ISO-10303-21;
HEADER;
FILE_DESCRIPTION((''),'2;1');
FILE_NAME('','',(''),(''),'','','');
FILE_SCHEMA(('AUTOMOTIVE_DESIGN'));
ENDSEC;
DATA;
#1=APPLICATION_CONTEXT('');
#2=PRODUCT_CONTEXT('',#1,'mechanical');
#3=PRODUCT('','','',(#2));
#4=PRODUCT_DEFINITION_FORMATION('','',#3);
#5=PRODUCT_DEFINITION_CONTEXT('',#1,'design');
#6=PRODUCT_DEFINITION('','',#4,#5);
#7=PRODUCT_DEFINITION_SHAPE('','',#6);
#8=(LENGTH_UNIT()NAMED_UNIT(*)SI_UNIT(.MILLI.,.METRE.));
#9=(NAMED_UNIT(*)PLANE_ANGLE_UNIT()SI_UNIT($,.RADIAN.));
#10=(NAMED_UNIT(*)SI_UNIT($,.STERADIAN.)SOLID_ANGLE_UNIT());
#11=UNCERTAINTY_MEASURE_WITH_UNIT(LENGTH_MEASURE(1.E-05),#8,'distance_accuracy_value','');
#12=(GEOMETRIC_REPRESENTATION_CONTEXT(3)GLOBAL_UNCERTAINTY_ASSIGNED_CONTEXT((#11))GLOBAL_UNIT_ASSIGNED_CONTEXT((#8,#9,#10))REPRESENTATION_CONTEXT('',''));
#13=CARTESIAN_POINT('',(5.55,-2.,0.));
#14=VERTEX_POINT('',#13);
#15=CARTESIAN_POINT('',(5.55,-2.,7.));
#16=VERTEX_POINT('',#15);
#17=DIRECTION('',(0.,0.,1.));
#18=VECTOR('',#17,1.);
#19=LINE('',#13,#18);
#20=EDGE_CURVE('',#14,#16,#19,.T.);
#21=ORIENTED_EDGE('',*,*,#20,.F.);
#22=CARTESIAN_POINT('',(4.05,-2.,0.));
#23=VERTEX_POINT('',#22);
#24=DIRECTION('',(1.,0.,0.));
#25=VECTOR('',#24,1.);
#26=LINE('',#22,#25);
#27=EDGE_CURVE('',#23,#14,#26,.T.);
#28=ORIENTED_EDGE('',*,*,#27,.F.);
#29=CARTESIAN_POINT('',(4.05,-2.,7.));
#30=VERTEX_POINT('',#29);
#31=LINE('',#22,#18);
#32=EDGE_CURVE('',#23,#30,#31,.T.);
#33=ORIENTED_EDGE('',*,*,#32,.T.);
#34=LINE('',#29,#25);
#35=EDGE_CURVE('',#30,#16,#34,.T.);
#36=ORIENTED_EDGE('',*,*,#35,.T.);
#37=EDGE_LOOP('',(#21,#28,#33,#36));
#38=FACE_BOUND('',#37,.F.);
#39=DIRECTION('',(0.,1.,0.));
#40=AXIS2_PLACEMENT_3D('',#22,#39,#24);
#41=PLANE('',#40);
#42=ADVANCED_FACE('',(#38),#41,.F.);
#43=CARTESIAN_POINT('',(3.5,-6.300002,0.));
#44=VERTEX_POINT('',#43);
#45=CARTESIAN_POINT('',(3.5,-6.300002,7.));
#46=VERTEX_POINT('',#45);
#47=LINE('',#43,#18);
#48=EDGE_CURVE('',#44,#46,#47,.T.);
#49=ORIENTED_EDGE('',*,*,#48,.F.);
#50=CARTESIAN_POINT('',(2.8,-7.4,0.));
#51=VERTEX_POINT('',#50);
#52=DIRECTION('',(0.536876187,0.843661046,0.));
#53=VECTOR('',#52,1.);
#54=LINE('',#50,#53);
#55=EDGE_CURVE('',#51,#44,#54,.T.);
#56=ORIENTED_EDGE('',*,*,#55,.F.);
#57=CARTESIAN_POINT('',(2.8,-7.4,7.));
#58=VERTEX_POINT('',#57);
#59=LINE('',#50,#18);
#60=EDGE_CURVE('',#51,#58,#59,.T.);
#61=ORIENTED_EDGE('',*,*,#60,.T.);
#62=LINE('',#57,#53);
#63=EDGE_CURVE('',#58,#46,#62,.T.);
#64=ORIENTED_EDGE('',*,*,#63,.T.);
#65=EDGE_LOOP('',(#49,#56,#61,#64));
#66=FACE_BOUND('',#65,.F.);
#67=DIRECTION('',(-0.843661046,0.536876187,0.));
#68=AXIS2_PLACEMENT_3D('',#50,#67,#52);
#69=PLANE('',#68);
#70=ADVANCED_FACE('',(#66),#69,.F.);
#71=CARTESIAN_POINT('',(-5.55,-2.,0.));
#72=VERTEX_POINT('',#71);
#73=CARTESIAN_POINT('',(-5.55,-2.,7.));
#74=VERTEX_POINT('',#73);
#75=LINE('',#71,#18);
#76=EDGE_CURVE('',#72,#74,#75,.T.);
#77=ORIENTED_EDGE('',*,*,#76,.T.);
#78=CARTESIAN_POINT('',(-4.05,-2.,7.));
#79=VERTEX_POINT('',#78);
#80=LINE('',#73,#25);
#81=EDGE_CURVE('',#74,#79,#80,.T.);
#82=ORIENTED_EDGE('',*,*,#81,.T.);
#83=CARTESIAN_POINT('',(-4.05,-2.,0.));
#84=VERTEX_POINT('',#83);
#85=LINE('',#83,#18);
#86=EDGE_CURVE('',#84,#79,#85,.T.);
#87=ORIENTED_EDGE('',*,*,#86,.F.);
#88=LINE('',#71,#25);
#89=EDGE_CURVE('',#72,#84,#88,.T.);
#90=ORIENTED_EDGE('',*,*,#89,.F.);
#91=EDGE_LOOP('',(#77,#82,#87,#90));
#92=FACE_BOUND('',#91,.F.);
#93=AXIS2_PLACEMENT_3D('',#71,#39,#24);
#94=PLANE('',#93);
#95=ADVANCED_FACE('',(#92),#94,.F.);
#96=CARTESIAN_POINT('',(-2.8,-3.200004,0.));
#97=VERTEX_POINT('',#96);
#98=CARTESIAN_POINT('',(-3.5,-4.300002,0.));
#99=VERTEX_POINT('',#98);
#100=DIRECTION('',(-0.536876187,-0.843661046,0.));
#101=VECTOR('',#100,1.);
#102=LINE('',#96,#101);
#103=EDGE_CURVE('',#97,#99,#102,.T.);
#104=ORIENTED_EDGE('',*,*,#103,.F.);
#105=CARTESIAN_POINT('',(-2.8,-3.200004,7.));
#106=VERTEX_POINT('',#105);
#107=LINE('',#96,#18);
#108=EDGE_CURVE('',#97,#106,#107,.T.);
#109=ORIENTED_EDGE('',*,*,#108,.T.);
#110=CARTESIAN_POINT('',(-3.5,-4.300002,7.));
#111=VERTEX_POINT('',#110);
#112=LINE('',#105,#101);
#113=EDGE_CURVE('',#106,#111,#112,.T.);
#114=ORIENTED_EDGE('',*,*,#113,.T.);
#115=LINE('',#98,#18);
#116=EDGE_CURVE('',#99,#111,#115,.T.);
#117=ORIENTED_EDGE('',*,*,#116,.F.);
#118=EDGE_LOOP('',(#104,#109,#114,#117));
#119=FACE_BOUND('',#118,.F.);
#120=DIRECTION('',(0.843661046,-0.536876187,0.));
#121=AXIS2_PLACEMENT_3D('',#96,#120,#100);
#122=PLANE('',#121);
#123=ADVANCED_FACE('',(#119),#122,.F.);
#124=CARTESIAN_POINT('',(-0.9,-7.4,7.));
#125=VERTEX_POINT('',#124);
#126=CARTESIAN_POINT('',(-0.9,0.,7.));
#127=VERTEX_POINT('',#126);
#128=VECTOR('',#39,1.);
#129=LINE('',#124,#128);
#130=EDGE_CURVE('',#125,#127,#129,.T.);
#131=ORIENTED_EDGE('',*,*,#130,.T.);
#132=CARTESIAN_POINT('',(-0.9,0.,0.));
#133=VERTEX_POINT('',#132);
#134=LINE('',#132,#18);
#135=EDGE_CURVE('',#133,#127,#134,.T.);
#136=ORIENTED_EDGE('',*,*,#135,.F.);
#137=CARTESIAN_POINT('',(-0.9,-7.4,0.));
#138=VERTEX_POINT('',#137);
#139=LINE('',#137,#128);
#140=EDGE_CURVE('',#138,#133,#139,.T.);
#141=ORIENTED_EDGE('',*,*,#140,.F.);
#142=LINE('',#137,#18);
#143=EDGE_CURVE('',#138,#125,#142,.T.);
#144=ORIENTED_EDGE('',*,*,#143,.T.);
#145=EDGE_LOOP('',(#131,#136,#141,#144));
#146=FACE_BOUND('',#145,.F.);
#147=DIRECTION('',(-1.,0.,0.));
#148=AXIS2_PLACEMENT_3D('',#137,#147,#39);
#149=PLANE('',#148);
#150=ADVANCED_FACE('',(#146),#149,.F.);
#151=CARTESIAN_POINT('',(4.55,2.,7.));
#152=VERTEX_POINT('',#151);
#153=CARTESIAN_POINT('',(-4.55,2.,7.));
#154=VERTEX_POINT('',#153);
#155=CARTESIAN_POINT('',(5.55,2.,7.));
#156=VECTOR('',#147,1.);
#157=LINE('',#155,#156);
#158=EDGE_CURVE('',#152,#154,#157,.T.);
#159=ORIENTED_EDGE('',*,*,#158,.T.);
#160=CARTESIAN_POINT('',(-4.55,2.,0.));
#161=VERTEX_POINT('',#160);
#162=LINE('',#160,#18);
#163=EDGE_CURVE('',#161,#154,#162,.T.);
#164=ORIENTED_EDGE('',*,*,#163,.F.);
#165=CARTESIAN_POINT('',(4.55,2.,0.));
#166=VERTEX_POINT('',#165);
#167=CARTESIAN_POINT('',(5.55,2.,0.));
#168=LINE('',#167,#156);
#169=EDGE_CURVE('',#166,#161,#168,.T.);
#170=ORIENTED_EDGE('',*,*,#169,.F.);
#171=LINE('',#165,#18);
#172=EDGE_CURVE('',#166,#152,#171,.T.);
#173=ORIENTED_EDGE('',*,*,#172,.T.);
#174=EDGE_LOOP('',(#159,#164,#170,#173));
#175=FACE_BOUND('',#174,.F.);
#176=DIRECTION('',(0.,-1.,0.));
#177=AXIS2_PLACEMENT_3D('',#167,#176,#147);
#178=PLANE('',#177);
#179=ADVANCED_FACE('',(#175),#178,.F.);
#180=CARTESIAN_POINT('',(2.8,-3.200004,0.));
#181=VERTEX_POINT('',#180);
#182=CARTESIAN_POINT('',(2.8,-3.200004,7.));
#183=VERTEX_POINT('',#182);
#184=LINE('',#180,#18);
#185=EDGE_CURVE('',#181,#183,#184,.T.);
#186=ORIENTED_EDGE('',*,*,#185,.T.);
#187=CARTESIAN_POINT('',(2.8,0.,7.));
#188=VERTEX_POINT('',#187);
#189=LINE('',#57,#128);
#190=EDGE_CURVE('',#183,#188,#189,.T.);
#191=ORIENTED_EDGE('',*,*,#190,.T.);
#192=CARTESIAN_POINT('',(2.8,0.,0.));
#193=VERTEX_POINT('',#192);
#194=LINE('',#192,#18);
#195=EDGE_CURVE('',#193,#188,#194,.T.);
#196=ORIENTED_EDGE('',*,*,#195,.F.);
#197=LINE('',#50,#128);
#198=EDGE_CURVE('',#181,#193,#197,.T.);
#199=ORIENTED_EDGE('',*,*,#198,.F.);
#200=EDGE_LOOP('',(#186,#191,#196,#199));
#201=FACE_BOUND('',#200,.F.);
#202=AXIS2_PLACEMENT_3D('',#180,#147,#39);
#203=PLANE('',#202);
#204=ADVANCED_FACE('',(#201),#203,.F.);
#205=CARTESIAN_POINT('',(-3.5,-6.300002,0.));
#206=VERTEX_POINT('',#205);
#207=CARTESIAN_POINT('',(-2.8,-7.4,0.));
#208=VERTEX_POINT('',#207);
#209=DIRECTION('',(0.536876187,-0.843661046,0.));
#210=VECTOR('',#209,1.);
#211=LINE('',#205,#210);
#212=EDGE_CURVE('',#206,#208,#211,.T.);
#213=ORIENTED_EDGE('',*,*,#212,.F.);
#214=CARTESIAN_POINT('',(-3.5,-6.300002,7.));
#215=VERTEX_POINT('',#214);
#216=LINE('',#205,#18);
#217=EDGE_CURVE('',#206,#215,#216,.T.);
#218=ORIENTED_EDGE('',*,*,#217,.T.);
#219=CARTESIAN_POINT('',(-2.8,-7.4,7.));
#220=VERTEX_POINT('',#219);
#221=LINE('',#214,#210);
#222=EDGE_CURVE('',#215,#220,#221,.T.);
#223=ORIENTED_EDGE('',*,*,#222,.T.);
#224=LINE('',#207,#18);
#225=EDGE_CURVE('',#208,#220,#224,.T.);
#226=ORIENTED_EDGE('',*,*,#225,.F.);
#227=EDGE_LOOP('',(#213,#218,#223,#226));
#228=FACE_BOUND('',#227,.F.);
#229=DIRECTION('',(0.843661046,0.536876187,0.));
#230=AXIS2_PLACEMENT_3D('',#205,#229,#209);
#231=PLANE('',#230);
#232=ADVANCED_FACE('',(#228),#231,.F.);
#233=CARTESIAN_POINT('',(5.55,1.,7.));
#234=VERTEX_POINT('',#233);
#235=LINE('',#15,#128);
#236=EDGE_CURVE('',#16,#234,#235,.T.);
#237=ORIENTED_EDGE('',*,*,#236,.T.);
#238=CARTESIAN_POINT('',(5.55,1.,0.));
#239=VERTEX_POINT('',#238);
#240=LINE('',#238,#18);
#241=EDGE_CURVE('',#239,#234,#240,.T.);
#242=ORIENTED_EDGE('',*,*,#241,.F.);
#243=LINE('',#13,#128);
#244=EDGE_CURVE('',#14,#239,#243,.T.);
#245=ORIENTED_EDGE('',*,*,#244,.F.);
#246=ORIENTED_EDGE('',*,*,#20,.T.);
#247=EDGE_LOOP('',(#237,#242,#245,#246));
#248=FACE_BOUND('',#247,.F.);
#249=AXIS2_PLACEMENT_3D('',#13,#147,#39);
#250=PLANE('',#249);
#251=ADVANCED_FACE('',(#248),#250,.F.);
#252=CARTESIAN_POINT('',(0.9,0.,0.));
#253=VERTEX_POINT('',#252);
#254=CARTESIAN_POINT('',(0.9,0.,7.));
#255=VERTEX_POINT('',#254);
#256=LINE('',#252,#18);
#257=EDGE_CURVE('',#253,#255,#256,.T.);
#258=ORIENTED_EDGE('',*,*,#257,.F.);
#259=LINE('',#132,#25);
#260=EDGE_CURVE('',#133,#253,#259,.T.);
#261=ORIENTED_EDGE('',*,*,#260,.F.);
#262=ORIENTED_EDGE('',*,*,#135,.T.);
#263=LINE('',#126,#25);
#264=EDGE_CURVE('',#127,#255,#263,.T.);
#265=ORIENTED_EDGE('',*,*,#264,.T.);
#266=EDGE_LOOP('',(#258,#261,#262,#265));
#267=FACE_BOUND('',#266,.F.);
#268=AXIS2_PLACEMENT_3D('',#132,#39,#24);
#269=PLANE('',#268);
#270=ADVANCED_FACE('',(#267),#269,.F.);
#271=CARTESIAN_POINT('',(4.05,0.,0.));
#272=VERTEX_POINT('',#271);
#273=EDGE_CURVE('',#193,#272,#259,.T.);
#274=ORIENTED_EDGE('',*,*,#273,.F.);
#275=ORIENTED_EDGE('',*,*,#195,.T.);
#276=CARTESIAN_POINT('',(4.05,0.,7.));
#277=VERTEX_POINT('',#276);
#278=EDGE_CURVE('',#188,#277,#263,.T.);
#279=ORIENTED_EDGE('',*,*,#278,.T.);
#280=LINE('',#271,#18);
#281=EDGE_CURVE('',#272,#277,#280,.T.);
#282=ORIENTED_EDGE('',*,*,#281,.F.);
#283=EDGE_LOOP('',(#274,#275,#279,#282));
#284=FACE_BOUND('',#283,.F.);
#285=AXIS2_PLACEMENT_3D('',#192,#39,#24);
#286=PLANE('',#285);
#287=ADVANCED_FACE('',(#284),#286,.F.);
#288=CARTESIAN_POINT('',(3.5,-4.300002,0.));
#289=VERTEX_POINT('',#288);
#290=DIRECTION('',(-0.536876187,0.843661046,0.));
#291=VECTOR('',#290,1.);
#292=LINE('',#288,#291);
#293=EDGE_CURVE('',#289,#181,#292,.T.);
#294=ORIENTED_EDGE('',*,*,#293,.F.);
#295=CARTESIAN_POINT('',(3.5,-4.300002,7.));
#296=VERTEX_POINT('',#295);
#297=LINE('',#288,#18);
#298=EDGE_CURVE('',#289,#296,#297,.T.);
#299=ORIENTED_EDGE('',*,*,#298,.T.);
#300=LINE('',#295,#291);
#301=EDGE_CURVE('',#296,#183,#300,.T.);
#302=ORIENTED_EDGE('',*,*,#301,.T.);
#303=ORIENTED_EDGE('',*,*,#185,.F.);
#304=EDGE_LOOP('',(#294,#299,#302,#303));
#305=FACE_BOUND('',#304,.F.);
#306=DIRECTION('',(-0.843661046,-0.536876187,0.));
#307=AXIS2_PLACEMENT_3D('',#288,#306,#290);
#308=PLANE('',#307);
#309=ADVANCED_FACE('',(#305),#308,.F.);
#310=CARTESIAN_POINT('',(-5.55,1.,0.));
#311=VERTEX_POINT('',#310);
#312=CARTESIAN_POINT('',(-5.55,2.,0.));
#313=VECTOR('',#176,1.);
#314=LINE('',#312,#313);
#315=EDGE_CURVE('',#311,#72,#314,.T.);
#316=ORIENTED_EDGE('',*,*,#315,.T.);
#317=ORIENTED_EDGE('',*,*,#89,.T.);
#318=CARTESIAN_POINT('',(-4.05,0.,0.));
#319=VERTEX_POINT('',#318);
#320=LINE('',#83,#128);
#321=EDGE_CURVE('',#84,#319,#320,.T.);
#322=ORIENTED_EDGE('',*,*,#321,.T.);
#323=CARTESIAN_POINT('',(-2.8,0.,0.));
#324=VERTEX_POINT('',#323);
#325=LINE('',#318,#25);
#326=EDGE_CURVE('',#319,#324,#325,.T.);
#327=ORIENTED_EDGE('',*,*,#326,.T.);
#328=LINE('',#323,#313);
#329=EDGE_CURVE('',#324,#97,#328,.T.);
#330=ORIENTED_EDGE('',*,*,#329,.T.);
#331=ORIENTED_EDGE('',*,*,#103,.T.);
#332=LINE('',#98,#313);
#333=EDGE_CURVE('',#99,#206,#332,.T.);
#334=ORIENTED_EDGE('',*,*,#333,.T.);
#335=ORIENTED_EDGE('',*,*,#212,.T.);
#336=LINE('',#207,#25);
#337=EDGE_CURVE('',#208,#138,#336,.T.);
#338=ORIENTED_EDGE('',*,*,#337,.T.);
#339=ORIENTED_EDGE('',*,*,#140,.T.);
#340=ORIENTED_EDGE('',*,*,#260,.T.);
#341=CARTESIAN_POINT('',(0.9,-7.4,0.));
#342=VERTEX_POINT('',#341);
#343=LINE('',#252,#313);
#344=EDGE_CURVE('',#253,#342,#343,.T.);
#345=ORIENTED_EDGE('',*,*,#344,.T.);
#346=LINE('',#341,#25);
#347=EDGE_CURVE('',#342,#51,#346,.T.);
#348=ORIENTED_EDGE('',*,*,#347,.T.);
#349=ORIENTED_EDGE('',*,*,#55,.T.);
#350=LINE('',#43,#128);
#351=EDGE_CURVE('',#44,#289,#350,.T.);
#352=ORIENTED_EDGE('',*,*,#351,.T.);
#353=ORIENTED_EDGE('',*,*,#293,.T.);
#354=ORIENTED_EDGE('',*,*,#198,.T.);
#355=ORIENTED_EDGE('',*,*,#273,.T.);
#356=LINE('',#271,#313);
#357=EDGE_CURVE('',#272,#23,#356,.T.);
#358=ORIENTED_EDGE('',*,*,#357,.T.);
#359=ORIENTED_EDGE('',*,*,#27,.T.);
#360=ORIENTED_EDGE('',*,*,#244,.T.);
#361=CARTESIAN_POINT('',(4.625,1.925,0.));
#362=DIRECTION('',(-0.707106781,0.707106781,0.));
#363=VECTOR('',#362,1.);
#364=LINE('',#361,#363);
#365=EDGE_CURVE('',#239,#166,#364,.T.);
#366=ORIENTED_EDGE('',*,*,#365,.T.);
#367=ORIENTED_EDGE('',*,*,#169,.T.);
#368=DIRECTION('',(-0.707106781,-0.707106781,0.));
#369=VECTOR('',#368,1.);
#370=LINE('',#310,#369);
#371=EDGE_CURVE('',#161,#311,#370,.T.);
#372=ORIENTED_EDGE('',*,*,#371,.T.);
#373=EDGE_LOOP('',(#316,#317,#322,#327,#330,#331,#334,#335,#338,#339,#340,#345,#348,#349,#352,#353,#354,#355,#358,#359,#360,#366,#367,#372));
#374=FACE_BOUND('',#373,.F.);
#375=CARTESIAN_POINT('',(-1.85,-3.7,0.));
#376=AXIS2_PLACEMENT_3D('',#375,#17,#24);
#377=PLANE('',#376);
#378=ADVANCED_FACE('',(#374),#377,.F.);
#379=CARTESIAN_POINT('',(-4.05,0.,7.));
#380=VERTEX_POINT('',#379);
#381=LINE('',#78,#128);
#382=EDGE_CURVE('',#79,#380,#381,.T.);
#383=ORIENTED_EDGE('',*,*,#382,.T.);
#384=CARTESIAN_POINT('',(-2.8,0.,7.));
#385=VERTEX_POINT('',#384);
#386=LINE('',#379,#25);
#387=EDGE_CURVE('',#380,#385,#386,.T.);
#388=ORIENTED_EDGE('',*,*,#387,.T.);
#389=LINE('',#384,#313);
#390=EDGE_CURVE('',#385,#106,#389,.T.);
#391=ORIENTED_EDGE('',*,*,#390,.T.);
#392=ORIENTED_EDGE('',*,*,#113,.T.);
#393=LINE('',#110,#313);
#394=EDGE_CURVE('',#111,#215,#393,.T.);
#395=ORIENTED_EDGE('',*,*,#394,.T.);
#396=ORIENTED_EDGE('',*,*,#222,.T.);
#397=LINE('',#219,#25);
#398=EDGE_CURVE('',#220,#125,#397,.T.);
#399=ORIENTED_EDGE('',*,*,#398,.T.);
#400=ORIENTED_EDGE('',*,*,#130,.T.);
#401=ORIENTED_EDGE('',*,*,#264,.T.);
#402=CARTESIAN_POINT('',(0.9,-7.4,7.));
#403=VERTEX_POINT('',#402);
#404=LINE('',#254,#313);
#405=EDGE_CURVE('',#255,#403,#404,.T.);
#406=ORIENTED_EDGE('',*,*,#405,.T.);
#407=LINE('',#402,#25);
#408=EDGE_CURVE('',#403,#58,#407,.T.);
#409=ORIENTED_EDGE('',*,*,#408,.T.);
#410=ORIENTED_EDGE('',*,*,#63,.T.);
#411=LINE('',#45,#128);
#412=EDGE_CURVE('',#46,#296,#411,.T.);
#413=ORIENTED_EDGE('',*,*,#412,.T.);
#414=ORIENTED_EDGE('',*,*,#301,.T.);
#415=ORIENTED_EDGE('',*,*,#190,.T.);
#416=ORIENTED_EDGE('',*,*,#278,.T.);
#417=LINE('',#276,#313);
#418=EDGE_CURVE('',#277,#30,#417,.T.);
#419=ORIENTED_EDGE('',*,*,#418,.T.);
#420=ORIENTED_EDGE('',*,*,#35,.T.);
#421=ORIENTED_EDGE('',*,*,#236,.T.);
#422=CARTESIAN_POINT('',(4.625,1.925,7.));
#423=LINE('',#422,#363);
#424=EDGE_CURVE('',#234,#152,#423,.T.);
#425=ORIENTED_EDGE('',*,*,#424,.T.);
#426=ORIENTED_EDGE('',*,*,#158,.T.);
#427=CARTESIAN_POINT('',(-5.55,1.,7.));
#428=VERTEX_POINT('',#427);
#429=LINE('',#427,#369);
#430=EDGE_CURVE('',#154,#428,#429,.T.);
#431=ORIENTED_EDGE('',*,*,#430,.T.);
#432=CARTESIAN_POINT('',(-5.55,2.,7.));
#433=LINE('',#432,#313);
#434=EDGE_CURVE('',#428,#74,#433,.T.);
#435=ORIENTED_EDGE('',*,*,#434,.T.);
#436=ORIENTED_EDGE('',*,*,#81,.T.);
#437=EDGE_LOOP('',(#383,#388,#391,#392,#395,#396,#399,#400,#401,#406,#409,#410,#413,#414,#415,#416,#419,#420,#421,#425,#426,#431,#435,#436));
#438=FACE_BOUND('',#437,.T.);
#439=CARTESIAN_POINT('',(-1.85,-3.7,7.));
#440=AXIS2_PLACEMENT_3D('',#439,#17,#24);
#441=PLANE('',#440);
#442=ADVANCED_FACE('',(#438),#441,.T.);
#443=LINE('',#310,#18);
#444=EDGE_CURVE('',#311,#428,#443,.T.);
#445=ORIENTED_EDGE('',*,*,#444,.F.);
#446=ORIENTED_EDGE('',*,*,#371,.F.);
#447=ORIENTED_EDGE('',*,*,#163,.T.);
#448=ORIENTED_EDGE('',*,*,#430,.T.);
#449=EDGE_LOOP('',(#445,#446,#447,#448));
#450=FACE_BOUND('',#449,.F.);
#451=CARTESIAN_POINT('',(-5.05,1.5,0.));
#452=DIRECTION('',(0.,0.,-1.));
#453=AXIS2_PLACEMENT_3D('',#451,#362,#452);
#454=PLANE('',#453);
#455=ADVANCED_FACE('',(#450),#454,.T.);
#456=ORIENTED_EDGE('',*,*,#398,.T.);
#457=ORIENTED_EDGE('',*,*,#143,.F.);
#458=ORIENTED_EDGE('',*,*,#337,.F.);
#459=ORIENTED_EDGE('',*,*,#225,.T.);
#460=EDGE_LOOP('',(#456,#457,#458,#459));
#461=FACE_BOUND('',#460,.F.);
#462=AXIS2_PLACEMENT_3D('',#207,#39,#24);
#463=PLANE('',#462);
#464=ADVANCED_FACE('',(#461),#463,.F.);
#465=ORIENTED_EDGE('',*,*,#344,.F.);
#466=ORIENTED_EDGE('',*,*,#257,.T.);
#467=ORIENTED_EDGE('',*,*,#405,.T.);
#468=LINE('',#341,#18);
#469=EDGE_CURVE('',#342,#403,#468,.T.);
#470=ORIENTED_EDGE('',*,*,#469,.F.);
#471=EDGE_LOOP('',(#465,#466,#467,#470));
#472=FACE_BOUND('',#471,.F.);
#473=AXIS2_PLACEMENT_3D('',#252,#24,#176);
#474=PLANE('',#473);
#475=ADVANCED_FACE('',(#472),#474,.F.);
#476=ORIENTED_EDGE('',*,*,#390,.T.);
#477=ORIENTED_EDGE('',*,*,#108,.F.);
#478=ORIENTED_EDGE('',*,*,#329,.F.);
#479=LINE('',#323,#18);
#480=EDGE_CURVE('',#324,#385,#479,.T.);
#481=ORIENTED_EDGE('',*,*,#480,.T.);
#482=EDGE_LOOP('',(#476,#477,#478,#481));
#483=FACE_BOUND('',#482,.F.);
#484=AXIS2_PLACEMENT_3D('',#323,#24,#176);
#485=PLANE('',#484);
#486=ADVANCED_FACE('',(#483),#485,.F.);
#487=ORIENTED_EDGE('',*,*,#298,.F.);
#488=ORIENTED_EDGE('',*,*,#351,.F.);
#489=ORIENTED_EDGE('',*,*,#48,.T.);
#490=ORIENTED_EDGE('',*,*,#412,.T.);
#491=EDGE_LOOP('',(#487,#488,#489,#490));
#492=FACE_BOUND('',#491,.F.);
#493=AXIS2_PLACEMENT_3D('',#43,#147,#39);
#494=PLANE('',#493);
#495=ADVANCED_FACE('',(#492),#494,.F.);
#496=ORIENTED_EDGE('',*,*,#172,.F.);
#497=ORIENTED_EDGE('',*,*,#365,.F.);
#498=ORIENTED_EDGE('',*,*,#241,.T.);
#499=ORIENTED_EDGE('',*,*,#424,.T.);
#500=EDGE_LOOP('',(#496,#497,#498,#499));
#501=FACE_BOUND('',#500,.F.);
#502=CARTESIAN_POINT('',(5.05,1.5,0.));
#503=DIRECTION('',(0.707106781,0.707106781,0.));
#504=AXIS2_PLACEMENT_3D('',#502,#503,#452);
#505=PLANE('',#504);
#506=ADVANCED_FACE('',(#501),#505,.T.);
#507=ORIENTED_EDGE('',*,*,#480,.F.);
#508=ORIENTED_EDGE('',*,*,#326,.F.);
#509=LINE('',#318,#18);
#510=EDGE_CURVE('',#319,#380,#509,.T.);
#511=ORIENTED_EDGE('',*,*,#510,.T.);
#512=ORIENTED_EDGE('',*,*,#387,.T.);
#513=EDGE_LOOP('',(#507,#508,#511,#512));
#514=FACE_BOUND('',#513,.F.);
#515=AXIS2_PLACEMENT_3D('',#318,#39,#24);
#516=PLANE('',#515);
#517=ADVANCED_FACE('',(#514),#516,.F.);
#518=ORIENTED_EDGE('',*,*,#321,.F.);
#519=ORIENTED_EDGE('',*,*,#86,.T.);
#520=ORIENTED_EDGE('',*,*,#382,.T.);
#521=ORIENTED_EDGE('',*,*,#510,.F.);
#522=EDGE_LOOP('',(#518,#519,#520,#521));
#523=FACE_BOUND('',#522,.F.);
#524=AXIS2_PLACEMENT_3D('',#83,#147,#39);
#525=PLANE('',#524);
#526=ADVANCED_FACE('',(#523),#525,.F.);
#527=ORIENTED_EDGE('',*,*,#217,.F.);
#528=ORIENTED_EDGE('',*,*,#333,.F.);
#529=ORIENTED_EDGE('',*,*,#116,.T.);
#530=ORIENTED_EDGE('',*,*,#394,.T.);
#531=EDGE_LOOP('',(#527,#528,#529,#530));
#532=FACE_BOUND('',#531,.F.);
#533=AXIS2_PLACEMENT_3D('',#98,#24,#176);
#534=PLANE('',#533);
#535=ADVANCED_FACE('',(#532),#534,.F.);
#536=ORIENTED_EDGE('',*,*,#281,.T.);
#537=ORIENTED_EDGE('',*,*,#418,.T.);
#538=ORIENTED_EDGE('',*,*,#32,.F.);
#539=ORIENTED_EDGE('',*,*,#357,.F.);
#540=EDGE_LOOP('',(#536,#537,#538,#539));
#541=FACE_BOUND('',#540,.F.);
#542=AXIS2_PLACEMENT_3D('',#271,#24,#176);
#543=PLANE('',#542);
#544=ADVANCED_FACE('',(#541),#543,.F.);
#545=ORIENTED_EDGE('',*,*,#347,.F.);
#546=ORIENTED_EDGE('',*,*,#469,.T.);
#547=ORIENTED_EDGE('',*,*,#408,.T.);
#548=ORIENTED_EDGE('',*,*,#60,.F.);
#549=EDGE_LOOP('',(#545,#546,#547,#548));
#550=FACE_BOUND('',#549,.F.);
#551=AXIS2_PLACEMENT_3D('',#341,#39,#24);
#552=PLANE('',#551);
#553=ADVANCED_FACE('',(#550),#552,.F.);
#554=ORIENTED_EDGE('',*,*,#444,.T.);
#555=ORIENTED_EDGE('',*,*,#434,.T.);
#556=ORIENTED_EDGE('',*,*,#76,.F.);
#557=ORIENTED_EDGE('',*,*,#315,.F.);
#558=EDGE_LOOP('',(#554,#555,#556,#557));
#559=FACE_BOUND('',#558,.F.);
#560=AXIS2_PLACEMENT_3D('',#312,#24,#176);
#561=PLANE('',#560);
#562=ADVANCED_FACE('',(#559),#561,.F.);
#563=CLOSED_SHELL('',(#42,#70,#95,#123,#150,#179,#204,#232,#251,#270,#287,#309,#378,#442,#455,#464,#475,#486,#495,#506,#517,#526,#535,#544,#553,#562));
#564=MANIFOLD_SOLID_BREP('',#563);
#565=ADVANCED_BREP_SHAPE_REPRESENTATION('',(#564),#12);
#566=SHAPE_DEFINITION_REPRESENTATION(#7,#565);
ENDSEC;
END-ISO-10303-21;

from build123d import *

# Parameters (mm, degrees)
F1_DEPTH = 7
F2_SIZE  = 1


with BuildPart() as f1:
    # F0 (on Top) → F1 (new body)
    with BuildSketch(Plane.XY):
        Polygon((-0.9, -7.4), (-0.9, 0), (-2.8, 0), (-2.8, -3.200004), (-2.8, -7.4), align=None)
        Polygon((-2.8, 0), (-0.9, 0), (0.9, 0), (2.8, 0), (4.05, 0), (4.05, -2), (5.55, -2), (5.55, 2), (0, 2), (-5.55, 2), (-5.55, -2), (-4.05, -2), (-4.05, 0), align=None)
        Polygon((2.8, 0), (0.9, 0), (0.9, -7.4), (2.8, -7.4), (2.8, -3.200004), align=None)
        Polygon((-2.8, -7.4), (-2.8, -3.200004), (-3.5, -4.300002), (-3.5, -6.300002), align=None)
        Polygon((2.8, -3.200004), (2.8, -7.4), (3.5, -6.300002), (3.5, -4.300002), align=None)
    extrude(amount=F1_DEPTH)

    # F2
    f2_edges = [f1.edges().sort_by_distance(p)[0] for p in [
        (-5.55, 2, 3.5),
        (5.55, 2, 3.5),
    ]]
    chamfer(f2_edges, length=F2_SIZE)


solid = f1.part
